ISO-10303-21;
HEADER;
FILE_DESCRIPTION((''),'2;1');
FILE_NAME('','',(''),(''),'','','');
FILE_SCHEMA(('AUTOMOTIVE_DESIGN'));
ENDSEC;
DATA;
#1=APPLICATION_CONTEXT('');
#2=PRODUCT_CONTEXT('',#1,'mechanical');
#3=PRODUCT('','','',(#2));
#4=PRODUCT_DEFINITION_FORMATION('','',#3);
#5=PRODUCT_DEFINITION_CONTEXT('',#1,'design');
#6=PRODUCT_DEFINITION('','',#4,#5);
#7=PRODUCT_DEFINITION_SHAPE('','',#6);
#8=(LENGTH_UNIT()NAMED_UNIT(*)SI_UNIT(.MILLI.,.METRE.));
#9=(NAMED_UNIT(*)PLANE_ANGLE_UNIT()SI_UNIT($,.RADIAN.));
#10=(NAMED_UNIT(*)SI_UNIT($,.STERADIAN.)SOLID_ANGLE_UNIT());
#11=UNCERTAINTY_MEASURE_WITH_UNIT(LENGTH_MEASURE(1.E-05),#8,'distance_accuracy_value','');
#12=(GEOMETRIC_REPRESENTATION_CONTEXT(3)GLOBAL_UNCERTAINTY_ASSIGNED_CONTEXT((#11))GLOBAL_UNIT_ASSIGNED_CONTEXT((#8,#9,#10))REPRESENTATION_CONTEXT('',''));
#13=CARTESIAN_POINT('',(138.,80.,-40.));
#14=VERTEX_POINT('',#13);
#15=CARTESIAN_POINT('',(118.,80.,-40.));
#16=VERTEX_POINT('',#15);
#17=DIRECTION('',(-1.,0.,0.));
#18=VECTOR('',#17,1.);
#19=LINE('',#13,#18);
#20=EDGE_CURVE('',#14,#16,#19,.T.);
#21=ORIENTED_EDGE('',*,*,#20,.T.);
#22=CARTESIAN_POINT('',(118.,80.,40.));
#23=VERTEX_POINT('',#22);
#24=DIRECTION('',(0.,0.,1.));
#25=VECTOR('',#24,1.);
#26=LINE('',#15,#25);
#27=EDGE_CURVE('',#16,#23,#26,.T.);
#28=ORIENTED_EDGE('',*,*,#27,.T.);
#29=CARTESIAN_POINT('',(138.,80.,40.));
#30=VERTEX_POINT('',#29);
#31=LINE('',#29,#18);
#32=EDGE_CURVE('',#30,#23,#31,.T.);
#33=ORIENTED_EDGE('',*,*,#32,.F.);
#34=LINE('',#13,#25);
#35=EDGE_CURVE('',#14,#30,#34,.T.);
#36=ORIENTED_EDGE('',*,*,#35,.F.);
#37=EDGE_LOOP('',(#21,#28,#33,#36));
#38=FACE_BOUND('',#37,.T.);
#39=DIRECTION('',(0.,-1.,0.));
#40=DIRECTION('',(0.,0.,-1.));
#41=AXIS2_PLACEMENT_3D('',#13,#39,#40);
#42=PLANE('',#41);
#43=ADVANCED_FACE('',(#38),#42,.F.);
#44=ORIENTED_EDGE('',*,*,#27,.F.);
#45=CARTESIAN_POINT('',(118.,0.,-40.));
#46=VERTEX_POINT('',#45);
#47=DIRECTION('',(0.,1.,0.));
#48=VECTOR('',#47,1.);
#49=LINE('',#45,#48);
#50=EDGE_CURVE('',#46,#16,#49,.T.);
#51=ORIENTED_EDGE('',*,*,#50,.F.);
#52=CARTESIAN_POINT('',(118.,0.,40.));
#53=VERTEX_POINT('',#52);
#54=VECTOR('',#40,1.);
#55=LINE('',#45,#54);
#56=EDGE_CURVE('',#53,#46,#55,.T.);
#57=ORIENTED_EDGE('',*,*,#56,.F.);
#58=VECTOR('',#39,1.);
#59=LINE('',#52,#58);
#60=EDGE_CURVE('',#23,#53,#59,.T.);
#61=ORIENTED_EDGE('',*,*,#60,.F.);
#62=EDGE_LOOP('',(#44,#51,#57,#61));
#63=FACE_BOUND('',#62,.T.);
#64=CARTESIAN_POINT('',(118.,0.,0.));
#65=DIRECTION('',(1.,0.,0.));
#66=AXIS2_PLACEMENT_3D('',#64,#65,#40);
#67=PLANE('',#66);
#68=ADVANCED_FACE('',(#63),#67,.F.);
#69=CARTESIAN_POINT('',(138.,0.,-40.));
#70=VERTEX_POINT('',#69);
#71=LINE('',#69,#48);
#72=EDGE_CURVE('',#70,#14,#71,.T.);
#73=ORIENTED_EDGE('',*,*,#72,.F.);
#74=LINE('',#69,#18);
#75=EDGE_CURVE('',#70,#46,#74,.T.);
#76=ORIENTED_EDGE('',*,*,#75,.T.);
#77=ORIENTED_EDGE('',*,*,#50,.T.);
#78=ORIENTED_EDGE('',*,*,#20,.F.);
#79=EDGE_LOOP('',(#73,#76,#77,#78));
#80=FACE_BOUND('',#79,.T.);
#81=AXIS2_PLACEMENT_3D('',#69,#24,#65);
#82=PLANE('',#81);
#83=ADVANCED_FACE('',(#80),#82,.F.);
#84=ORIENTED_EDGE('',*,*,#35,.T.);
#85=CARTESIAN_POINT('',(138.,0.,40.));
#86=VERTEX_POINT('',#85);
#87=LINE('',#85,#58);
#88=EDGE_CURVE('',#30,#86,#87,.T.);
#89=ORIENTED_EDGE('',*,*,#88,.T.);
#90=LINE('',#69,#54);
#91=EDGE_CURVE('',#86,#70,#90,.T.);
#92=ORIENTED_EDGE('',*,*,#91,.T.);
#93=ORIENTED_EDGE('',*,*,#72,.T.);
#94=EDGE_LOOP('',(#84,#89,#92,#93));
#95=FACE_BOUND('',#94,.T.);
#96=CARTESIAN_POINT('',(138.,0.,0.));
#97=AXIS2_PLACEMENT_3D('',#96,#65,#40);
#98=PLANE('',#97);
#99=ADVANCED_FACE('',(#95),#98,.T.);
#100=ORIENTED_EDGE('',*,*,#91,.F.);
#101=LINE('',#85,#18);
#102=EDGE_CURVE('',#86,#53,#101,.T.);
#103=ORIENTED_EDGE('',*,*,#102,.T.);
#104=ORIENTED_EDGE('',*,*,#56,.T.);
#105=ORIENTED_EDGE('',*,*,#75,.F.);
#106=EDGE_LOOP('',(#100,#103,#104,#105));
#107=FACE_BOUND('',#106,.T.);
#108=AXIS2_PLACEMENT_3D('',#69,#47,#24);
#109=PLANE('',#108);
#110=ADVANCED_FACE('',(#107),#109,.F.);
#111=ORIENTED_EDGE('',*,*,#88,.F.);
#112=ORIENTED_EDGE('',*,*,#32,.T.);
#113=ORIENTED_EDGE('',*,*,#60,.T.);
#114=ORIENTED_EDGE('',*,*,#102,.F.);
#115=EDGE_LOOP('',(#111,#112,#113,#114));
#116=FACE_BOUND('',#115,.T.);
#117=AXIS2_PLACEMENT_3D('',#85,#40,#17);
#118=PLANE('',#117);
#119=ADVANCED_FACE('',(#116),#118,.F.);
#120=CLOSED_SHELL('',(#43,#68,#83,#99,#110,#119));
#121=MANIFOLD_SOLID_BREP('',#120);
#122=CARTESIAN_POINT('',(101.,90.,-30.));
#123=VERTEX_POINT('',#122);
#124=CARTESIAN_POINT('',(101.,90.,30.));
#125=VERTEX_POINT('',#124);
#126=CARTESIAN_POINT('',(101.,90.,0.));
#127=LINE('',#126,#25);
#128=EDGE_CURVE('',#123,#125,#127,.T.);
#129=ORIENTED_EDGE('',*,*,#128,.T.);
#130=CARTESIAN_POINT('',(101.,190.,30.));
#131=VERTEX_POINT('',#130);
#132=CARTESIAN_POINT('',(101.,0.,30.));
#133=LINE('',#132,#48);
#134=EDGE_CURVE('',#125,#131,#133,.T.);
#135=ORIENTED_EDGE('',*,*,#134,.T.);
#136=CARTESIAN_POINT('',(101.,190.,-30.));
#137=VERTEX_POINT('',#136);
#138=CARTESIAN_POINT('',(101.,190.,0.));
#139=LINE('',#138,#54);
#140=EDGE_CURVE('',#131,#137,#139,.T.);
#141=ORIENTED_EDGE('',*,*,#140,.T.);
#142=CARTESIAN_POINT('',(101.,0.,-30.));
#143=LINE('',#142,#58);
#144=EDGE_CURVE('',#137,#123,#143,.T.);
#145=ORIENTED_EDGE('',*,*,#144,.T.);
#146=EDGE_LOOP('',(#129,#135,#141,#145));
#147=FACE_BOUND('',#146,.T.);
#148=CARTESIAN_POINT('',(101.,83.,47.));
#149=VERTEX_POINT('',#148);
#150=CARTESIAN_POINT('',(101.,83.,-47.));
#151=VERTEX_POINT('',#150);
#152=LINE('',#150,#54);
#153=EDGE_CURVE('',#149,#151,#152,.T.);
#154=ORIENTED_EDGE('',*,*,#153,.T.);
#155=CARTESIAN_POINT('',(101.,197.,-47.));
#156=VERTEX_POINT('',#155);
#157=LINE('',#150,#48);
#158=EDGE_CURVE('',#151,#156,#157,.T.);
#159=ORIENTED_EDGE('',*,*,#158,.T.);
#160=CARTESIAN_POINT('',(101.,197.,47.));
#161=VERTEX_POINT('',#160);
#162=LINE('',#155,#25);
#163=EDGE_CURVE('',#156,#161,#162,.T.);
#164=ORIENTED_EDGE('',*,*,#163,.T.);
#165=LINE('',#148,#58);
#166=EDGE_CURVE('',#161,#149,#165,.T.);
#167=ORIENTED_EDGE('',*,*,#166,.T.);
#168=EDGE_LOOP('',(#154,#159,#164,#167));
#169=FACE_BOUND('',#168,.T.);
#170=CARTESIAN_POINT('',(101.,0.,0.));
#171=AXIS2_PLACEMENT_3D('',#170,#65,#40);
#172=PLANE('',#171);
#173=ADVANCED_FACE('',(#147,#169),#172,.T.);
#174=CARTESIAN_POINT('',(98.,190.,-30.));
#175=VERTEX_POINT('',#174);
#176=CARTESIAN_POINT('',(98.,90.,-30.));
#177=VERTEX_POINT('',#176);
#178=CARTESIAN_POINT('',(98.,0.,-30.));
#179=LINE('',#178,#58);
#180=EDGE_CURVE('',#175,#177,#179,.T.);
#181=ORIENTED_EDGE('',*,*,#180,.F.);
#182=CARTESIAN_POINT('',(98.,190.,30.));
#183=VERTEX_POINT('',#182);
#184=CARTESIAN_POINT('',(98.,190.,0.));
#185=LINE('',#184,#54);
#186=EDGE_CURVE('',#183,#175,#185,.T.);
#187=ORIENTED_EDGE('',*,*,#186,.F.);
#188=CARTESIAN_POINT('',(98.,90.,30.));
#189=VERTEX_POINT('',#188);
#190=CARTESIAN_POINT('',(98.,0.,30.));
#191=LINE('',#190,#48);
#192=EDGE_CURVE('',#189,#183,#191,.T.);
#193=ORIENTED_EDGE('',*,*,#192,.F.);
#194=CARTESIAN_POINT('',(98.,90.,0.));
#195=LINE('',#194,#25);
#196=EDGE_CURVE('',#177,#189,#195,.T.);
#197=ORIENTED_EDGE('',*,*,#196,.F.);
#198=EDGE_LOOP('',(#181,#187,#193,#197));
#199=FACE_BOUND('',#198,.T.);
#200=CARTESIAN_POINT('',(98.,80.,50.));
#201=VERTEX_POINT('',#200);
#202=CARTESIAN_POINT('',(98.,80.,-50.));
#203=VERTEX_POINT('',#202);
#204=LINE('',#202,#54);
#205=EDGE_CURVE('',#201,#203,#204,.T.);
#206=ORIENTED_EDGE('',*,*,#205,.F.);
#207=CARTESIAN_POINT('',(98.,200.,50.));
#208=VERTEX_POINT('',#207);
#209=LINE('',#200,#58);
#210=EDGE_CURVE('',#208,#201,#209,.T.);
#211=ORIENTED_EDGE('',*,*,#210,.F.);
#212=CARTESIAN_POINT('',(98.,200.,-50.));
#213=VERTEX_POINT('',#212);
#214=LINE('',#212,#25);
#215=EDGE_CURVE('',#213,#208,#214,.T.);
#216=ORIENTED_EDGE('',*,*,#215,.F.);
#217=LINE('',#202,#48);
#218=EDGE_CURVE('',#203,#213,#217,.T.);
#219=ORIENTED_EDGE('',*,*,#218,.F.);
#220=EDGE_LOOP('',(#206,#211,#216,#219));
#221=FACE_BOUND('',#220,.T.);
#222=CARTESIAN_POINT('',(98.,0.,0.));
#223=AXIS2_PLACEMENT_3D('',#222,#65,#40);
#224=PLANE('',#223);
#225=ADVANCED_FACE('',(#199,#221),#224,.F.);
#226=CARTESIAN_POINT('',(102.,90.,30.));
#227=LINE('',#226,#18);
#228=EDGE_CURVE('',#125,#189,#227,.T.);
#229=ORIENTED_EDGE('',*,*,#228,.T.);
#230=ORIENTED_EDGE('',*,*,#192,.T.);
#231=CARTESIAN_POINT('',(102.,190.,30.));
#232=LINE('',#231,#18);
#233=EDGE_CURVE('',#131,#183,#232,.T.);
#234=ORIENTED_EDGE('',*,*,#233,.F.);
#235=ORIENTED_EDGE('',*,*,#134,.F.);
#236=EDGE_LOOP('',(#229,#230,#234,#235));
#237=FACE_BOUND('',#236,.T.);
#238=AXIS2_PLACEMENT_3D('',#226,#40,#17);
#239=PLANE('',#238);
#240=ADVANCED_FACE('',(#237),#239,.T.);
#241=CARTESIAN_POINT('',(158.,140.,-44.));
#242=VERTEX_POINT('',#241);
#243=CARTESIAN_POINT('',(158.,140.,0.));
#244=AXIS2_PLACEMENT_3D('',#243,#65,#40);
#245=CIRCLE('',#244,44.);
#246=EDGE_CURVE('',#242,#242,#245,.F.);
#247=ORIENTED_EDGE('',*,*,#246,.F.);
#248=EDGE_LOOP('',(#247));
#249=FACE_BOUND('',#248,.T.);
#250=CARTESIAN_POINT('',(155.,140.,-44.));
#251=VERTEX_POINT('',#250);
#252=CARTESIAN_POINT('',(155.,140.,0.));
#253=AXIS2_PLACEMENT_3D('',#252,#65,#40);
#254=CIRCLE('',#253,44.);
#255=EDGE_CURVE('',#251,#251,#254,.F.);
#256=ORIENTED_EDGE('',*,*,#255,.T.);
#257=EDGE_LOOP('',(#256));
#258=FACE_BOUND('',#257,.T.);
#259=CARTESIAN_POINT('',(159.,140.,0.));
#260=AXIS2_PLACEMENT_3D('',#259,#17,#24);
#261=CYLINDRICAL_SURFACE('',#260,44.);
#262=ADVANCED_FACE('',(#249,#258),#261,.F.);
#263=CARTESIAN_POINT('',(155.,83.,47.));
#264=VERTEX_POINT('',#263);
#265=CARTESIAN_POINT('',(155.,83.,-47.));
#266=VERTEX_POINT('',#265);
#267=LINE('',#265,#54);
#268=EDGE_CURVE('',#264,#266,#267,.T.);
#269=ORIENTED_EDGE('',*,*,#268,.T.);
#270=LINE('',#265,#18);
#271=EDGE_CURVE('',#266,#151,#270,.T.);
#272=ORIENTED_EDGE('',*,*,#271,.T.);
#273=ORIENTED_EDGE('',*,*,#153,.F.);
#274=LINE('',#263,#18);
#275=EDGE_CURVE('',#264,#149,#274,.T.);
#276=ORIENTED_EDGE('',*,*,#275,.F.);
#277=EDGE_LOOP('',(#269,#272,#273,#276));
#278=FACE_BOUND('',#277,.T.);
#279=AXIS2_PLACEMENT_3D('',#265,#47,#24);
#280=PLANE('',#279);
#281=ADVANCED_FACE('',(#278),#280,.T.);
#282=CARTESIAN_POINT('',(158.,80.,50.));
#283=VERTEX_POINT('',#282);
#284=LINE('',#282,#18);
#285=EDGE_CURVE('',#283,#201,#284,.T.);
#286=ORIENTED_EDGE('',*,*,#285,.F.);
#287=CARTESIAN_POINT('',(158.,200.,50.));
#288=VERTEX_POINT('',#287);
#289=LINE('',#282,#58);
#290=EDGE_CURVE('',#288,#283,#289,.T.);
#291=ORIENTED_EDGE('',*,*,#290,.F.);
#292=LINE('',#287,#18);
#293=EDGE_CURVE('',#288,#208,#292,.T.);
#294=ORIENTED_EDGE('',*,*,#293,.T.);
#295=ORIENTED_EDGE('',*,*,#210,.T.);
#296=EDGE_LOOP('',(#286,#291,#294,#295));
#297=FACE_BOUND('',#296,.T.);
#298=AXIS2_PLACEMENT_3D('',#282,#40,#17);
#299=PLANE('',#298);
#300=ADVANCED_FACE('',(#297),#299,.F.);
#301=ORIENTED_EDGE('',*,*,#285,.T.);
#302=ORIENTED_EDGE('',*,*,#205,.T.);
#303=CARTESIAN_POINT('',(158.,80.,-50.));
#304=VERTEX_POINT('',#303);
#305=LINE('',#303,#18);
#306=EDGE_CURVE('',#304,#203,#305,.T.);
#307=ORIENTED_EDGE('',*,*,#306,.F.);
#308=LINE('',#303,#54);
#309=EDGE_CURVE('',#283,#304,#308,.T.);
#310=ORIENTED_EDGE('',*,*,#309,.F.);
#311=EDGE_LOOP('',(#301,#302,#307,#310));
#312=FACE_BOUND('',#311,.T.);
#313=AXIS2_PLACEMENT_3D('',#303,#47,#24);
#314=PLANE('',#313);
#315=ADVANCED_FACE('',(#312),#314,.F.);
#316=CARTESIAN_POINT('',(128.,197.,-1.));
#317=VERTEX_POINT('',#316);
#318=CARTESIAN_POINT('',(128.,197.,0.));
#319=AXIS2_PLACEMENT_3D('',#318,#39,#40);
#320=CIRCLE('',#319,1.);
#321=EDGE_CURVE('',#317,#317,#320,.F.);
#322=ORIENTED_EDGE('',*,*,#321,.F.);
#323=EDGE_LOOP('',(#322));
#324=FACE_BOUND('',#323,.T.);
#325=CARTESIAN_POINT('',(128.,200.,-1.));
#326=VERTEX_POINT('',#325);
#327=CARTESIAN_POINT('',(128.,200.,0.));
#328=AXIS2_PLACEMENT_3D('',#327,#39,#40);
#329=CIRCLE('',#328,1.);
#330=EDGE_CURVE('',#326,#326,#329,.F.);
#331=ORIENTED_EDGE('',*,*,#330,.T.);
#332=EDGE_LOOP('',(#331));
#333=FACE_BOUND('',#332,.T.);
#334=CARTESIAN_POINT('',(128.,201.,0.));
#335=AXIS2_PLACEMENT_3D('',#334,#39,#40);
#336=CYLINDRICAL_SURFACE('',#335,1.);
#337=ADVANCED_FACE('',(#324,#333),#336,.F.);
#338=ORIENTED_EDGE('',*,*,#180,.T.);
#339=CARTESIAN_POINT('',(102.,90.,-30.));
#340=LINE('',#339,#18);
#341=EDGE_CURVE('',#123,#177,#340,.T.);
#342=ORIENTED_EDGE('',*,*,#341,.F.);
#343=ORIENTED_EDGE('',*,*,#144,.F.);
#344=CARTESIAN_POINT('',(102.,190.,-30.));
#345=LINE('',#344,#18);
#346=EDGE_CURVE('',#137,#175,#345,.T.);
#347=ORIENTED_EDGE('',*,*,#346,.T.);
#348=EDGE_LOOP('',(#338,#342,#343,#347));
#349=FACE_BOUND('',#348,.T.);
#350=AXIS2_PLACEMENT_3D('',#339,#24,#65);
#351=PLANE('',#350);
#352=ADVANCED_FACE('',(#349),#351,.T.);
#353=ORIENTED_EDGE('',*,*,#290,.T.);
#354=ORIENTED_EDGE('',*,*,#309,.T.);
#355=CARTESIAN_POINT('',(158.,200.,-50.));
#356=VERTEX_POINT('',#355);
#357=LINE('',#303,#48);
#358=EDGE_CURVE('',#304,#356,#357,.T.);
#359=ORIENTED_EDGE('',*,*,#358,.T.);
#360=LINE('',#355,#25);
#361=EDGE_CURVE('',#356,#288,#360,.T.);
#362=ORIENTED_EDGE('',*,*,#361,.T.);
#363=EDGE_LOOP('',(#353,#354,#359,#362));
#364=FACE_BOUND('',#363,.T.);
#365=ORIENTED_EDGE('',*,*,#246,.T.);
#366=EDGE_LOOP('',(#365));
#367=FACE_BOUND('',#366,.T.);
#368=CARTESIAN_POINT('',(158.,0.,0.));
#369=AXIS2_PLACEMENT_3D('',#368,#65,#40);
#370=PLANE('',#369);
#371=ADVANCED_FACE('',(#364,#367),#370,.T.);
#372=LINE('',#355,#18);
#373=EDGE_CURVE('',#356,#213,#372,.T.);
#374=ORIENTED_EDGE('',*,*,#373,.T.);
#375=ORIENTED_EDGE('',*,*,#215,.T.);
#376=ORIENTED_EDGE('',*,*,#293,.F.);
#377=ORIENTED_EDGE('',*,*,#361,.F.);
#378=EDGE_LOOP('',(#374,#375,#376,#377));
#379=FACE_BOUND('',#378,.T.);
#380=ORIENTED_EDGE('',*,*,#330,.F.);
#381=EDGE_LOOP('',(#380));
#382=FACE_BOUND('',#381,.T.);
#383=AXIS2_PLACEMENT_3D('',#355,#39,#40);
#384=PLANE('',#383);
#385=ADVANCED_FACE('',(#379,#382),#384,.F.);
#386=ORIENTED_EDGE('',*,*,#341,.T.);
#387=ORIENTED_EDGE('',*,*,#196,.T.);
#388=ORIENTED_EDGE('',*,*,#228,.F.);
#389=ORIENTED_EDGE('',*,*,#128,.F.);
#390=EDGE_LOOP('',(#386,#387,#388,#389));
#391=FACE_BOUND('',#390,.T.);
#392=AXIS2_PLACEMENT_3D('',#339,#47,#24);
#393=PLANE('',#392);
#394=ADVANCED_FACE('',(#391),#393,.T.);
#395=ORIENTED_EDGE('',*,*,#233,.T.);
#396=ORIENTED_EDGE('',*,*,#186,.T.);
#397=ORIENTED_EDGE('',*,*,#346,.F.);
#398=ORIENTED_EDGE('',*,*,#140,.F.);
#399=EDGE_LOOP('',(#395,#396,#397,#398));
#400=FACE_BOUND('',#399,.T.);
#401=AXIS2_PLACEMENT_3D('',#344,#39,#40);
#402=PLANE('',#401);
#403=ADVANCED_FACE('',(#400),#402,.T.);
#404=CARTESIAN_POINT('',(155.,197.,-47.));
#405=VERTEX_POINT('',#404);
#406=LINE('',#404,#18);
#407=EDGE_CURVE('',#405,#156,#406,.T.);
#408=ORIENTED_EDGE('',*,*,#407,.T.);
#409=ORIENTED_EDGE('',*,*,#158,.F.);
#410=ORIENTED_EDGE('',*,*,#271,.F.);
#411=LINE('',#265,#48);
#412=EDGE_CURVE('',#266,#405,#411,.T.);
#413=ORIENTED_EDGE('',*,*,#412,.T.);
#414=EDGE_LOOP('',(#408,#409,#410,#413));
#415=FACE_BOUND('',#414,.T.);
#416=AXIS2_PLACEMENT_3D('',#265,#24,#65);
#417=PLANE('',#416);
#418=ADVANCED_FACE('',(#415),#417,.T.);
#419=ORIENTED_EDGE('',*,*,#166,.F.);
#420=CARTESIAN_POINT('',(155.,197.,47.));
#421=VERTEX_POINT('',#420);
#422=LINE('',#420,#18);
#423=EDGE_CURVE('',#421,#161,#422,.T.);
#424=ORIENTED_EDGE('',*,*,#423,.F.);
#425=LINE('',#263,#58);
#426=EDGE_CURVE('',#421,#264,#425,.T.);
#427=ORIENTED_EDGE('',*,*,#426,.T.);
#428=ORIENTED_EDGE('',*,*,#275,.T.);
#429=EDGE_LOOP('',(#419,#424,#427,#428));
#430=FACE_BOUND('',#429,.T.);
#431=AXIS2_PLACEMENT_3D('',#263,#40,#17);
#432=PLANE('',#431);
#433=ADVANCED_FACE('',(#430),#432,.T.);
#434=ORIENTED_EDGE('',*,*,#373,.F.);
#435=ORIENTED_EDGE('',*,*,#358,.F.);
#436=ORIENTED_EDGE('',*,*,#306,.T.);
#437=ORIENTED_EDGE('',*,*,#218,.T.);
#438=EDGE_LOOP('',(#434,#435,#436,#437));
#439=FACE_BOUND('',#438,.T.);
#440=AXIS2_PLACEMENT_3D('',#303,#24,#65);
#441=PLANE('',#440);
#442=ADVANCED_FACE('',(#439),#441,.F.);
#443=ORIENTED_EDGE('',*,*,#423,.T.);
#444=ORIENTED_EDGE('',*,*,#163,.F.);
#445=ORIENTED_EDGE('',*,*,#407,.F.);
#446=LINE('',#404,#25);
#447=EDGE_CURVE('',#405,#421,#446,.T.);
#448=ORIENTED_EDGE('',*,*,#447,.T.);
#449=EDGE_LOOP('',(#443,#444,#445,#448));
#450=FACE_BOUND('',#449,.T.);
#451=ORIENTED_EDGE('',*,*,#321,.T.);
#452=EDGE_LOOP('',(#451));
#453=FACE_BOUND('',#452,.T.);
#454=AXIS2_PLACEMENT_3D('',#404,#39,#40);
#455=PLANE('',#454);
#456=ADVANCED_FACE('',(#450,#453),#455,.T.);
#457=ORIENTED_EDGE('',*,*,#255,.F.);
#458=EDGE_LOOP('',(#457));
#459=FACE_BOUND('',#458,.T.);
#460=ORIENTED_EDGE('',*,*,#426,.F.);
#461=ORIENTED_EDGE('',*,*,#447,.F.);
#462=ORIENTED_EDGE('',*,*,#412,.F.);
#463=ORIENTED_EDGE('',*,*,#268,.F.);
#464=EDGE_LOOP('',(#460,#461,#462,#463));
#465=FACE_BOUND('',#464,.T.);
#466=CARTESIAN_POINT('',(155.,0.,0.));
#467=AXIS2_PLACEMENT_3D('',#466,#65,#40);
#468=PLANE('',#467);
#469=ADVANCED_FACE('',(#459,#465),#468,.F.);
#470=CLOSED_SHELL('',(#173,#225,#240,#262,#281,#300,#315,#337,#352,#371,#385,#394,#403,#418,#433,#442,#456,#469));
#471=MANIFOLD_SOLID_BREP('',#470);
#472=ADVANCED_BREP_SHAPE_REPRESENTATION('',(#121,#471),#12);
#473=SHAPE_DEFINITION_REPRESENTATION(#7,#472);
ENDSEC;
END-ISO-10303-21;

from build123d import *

# Parameters (mm, degrees)
OUTER_START        = 98
SKETCH1_W          = 100
SKETCH1_H          = 120
OUTER_DEPTH        = 60
INNER_START        = 101
SKETCH2_W          = 94
SKETCH2_H          = 114
INNER_DEPTH        = 54
THROAT_PORT_START  = 97
SKETCH3_W          = 60
SKETCH3_H          = 100
THROAT_PORT_DEPTH  = 5
FAN_PORT_START     = 154
SKETCH4_R          = 44
FAN_PORT_DEPTH     = 5
TC_PORT_START      = 196
SKETCH5_R          = 1
TC_PORT_DEPTH      = 5
PLENUM_STAND_START = 118
SKETCH6_W          = 80
SKETCH6_H          = 80
PLENUM_STAND_DEPTH = 20


with BuildPart() as part:
    # Sketch1 → outer (new body)
    with BuildSketch(Plane(origin=(0, 0, 0), x_dir=(0, 0, -1), z_dir=(1, 0, 0)).offset(OUTER_START)):
        with Locations((0, 140)):
            Rectangle(SKETCH1_W, SKETCH1_H)
    extrude(amount=OUTER_DEPTH)


with BuildPart() as body_2:
    # Sketch2 → inner (new body)
    with BuildSketch(Plane(origin=(0, 0, 0), x_dir=(0, 0, -1), z_dir=(1, 0, 0)).offset(INNER_START)):
        with Locations((0, 140)):
            Rectangle(SKETCH2_W, SKETCH2_H)
    extrude(amount=INNER_DEPTH)


with BuildPart() as body_3:
    # Sketch3 → throat_port (new body)
    with BuildSketch(Plane(origin=(0, 0, 0), x_dir=(0, 0, -1), z_dir=(1, 0, 0)).offset(THROAT_PORT_START)):
        with Locations((0, 140)):
            Rectangle(SKETCH3_W, SKETCH3_H)
    extrude(amount=THROAT_PORT_DEPTH)


with BuildPart() as body_4:
    # Sketch4 → fan_port (new body)
    with BuildSketch(Plane(origin=(0, 0, 0), x_dir=(0, 0, -1), z_dir=(1, 0, 0)).offset(FAN_PORT_START)):
        with Locations((0, 140)):
            Circle(SKETCH4_R)
    extrude(amount=FAN_PORT_DEPTH)


with BuildPart() as body_5:
    # Sketch5 → tc_port (new body)
    with BuildSketch(Plane(origin=(0, 0, 0), x_dir=(1, 0, 0), z_dir=(0, 1, 0)).offset(TC_PORT_START)):
        with Locations((128, 0)):
            Circle(SKETCH5_R)
    extrude(amount=TC_PORT_DEPTH)


with BuildPart() as part_1:
    add(part.part)

    # Combine1: cut body 2
    add(body_2.part, mode=Mode.SUBTRACT)

    # Combine2: cut body 3
    add(body_3.part, mode=Mode.SUBTRACT)

    # Combine3: cut body 4
    add(body_4.part, mode=Mode.SUBTRACT)

    # Combine4: cut body 5
    add(body_5.part, mode=Mode.SUBTRACT)


with BuildPart() as body_2_2:
    # Sketch6 → plenum_stand (new body)
    with BuildSketch(Plane(origin=(0, 0, 0), x_dir=(0, 0, -1), z_dir=(1, 0, 0)).offset(PLENUM_STAND_START)):
        with Locations((0, 40)):
            Rectangle(SKETCH6_W, SKETCH6_H)
    extrude(amount=PLENUM_STAND_DEPTH)


solid = Compound([part_1.part, body_2_2.part])
